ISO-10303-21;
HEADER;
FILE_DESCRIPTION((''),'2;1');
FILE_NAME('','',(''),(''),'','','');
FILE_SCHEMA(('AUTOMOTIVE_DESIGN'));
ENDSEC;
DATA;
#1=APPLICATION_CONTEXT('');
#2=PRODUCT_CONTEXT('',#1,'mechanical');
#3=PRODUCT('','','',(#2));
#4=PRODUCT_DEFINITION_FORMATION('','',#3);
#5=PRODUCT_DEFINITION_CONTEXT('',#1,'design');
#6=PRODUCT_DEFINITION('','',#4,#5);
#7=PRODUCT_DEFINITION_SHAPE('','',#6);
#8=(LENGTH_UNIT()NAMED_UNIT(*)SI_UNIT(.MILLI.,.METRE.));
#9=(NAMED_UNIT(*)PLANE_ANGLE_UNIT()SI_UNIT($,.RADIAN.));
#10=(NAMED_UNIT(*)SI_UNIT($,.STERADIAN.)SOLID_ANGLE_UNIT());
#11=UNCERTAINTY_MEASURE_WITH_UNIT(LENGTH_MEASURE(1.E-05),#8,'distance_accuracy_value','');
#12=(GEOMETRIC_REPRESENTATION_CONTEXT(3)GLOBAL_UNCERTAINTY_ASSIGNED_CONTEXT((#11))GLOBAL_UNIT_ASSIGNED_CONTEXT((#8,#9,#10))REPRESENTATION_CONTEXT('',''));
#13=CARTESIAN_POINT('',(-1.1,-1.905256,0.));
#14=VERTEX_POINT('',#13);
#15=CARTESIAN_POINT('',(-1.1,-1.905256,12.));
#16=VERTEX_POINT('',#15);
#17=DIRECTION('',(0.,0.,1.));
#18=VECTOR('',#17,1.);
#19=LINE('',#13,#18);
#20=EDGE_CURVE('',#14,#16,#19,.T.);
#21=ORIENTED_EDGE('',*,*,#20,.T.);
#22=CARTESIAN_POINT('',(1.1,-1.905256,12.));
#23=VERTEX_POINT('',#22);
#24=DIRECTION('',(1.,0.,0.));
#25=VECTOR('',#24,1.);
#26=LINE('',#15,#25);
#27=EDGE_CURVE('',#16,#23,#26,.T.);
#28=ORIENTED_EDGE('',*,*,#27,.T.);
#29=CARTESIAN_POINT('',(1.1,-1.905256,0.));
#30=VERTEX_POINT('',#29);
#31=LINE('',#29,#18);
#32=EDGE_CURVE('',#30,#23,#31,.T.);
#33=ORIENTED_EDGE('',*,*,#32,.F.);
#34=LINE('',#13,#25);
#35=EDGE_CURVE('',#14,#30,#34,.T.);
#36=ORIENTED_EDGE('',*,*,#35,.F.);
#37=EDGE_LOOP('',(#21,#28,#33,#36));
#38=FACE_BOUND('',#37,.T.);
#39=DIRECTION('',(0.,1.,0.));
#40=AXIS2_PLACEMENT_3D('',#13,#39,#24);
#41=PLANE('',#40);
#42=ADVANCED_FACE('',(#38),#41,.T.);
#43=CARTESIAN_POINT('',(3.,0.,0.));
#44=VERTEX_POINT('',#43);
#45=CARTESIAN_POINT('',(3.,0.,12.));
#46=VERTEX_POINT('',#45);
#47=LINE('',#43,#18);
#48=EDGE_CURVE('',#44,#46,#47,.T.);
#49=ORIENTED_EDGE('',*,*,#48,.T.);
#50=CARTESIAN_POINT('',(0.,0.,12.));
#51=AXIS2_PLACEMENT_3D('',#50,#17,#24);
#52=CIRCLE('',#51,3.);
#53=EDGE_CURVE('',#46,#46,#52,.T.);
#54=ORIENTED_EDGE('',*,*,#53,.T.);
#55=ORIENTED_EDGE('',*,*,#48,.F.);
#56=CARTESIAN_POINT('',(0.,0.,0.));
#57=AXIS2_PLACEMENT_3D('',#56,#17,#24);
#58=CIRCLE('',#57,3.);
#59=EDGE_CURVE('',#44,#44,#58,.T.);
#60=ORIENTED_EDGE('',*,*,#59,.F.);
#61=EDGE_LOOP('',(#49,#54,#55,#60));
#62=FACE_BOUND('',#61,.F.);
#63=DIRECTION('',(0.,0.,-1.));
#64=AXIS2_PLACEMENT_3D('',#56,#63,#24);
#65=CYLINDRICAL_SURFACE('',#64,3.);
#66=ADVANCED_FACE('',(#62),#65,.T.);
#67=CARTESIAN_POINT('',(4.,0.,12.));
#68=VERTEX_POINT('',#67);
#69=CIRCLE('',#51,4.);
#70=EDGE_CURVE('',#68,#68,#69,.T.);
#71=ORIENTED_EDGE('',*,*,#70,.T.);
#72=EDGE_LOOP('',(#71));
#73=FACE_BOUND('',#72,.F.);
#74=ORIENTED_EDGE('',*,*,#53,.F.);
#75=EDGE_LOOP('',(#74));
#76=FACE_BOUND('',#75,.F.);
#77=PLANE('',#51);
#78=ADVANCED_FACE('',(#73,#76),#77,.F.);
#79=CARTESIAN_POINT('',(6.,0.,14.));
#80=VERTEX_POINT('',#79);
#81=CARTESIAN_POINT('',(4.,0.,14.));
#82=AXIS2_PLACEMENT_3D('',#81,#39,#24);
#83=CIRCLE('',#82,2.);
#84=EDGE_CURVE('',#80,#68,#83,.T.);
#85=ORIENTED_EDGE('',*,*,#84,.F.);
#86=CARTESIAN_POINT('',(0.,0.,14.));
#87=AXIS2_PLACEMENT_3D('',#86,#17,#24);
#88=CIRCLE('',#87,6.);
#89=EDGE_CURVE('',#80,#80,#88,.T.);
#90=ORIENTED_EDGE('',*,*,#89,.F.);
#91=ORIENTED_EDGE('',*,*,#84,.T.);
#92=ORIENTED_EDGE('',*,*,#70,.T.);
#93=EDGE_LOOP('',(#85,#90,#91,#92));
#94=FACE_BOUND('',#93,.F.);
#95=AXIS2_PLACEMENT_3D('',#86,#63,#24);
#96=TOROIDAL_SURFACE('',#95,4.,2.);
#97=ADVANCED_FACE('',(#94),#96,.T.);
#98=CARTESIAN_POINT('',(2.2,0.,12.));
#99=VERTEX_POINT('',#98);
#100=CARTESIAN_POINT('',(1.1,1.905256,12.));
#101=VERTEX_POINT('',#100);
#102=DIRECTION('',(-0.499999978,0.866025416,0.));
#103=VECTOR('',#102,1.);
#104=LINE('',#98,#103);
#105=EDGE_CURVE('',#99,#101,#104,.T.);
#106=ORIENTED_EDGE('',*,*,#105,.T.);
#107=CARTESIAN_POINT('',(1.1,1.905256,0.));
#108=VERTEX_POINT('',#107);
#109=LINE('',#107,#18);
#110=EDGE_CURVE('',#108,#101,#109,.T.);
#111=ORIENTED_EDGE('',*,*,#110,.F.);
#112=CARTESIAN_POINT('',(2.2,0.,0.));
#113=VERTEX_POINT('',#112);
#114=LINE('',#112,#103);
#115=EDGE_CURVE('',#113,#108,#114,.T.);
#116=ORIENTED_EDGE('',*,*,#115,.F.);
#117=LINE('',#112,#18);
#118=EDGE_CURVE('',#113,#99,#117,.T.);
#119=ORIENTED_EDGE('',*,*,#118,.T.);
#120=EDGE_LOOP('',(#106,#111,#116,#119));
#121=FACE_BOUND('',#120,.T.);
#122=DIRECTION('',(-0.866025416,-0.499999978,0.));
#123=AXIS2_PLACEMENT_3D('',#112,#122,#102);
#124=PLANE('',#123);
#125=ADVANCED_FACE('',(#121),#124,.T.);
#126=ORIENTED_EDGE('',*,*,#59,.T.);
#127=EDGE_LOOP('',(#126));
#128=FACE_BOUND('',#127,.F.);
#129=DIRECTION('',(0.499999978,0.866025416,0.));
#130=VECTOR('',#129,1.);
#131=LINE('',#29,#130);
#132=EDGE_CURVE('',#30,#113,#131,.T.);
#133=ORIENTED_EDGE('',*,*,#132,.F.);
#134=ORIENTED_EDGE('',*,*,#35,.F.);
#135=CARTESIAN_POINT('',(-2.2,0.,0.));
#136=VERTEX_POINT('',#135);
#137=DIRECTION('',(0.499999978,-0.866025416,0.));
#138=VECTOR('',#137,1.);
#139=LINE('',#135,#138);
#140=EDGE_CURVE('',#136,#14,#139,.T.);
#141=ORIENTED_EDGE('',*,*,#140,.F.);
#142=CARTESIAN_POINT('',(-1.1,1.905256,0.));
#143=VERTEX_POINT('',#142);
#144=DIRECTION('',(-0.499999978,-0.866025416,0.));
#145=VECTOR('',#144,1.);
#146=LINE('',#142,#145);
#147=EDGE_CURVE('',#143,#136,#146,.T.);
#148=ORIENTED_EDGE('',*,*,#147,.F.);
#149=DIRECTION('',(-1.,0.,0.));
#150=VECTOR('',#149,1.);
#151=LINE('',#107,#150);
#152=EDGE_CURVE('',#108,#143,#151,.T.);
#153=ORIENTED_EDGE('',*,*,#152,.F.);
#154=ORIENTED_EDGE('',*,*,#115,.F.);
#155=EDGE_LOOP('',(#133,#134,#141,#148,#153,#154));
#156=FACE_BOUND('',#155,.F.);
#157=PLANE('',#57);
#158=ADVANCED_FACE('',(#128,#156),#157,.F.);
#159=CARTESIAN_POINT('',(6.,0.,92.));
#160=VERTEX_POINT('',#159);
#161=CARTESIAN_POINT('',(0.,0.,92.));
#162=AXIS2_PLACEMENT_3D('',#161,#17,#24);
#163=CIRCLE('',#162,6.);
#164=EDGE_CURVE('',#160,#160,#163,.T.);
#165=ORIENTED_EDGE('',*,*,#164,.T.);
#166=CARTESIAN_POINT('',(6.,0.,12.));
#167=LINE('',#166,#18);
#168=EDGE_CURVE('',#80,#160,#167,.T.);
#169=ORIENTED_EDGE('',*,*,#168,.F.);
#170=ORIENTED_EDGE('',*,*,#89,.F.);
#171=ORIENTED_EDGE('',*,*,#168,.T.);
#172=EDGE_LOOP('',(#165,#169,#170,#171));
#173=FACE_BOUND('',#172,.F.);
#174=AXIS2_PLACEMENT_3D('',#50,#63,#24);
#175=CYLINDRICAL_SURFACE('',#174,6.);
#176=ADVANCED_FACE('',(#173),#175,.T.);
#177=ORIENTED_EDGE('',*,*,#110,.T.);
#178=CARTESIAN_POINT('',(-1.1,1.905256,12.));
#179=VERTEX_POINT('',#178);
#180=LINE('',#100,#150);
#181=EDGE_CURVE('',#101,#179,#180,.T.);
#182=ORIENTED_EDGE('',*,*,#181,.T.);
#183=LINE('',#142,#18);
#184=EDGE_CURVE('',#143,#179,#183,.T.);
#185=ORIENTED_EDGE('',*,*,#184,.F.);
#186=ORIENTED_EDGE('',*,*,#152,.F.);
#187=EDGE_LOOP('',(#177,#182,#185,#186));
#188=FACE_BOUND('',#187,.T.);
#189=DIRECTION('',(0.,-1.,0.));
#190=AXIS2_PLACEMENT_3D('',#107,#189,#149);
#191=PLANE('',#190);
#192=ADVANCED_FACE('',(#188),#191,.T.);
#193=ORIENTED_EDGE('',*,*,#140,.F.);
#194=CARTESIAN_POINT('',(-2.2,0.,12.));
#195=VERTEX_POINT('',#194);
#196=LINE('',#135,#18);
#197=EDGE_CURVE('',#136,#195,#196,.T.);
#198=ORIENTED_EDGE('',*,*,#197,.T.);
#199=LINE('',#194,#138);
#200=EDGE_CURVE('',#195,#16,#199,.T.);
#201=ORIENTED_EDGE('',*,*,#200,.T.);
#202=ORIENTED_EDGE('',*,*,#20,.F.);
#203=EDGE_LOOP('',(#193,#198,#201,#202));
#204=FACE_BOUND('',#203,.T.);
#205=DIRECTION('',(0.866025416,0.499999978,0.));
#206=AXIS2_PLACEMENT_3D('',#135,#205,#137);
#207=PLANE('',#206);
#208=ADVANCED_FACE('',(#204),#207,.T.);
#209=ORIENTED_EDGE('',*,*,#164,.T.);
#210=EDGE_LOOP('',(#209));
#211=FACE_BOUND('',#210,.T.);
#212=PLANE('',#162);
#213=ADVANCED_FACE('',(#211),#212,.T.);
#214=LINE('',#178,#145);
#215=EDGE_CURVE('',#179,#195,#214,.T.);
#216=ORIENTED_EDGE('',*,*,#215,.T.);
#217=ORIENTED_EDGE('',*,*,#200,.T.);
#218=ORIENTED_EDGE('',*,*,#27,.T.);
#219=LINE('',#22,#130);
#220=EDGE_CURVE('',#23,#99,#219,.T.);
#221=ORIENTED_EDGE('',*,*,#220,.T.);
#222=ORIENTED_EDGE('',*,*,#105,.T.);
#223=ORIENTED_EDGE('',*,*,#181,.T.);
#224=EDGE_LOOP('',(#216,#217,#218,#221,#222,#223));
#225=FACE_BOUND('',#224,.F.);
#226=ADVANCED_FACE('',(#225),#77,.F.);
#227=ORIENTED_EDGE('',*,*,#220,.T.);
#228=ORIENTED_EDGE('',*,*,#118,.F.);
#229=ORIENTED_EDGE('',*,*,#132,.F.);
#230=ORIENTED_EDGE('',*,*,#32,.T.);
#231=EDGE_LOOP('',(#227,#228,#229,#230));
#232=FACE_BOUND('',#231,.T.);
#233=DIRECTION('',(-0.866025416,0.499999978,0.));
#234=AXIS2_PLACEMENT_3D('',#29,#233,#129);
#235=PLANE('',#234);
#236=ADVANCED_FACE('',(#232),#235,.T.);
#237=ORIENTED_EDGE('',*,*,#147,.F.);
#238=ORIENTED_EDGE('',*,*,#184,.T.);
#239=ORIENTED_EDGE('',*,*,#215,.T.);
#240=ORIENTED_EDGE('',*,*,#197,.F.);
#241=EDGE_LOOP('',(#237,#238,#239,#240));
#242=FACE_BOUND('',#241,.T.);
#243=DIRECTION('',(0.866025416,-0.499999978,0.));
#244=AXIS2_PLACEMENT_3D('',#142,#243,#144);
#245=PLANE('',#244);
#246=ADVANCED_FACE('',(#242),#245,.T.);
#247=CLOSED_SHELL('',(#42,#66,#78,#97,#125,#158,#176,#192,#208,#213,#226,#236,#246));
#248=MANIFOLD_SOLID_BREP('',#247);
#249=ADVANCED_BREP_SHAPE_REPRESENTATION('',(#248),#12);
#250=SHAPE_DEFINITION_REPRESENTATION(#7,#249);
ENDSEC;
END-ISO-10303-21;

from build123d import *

# Parameters (mm, degrees)
SKETCH_R     = 3
PAD_DEPTH    = 12
SKETCH001_R  = 6
PAD001_DEPTH = 80
FILLET_R     = 2


with BuildPart() as part:
    # Sketch → Pad (new body)
    with BuildSketch(Plane.XY):
        Circle(SKETCH_R)
        Polygon((2.2, 0), (1.1, 1.905256), (-1.1, 1.905256), (-2.2, 0), (-1.1, -1.905256), (1.1, -1.905256), align=None, mode=Mode.SUBTRACT)
    extrude(amount=PAD_DEPTH)

    # Sketch001 (on Face9 of Pad) → Pad001 (join)
    with BuildSketch(Plane.XY.offset(12)):
        Circle(SKETCH001_R)
    extrude(amount=PAD001_DEPTH)

    # Fillet
    fillet_edges = [part.edges().sort_by_distance(p)[0] for p in [
        (-6, 0, 12),
    ]]
    fillet(fillet_edges, radius=FILLET_R)


solid = part.part
